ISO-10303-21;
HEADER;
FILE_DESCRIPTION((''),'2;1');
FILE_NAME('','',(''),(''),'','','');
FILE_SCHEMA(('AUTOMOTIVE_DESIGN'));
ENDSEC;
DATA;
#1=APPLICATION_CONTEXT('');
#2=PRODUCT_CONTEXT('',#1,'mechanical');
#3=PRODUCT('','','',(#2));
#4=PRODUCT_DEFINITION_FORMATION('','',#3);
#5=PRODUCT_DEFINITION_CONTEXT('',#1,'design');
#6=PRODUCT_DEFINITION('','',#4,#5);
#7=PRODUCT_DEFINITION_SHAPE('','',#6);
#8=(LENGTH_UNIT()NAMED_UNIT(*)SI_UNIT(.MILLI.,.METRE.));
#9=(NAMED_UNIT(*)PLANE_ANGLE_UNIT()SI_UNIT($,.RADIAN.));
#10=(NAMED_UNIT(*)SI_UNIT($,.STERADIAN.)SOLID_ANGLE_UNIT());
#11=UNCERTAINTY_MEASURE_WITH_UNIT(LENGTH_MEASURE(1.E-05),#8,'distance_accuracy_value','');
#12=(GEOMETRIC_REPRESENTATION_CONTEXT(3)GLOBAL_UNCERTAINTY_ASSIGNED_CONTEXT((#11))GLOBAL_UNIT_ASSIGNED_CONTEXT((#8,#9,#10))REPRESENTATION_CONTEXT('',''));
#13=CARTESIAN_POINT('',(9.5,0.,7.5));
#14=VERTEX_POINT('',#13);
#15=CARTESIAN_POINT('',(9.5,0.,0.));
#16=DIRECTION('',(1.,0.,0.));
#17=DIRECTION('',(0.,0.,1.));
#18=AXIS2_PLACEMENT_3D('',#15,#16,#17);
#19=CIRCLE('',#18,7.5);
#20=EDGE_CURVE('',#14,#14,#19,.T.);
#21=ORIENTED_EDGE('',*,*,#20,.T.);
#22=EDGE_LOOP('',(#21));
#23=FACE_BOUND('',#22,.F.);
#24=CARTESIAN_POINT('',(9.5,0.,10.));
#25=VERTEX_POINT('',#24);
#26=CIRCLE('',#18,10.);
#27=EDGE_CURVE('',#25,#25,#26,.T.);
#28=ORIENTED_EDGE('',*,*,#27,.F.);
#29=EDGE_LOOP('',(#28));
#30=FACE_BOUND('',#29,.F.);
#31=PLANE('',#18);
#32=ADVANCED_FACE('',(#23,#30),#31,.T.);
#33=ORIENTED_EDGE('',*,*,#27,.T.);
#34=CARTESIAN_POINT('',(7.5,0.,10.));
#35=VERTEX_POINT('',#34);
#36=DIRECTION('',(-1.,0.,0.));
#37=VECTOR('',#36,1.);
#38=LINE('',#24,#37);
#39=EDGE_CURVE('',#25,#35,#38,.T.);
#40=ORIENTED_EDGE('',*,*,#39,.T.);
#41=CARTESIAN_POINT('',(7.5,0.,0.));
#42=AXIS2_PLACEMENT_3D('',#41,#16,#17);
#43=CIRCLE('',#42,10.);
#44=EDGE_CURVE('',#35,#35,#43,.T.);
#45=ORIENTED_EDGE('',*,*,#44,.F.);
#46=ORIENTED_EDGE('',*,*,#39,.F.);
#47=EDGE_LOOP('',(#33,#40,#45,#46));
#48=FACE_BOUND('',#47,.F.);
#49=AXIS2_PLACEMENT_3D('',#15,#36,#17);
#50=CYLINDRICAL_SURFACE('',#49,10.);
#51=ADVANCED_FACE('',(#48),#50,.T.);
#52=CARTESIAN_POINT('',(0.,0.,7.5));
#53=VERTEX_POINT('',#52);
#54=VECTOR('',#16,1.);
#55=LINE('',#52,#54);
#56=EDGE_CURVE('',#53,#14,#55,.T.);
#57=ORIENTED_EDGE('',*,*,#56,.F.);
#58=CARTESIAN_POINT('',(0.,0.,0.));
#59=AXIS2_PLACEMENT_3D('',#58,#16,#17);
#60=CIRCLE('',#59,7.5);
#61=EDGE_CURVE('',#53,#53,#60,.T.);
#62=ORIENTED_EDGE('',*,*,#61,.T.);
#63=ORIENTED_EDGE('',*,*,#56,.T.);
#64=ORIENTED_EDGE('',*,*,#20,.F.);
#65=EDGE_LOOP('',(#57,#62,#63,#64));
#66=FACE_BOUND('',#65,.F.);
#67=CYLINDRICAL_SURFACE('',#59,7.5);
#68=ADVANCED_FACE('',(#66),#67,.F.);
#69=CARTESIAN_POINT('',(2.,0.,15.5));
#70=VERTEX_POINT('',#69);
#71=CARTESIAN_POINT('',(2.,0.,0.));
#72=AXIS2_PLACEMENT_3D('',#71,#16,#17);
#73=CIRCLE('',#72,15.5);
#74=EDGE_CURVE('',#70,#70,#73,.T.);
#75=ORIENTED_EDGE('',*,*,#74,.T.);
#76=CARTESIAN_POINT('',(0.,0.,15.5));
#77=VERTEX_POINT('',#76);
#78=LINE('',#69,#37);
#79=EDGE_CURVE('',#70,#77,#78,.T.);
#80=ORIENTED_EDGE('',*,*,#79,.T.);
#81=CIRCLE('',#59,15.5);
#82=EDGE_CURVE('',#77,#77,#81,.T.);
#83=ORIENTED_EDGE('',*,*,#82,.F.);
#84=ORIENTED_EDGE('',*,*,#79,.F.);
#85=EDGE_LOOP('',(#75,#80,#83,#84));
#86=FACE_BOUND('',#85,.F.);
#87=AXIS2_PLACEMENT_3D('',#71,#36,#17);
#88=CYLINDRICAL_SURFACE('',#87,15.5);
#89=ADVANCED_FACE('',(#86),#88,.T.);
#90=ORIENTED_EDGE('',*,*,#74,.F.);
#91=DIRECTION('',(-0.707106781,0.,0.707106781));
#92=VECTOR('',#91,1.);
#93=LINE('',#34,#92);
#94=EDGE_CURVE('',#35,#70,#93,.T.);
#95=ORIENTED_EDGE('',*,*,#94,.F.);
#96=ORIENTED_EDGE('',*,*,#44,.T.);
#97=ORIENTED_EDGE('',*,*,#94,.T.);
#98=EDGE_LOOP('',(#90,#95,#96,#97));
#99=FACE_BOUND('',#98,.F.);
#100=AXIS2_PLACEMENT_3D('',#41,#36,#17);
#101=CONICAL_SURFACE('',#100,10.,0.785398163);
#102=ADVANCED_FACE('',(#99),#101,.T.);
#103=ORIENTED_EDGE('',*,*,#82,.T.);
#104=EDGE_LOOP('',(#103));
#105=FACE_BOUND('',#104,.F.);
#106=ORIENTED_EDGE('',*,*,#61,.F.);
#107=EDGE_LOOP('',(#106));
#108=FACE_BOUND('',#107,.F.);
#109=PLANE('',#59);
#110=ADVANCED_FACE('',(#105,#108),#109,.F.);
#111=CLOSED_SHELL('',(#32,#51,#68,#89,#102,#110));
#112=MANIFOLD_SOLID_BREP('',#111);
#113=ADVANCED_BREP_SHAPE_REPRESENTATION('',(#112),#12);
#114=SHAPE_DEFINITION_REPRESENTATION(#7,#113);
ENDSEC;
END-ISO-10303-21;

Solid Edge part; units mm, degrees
sketch "Sketch1" plane through (0, 0, 0) normal (0, -1, 0) x (1, 0, 0)
  line L0 (0, 7.5) -> (9.5, 7.5)
  line L1 (9.5, 7.5) -> (9.5, 10)
  line L2 (9.5, 10) -> (7.5, 10)
  line L3 (7.5, 10) -> (2, 15.5)
  line L4 (2, 15.5) -> (0, 15.5)
  line L5 (0, 15.5) -> (0, 7.5)
  dimension "D1" = 7.5
  dimension "D2" = 15.5
  dimension "D3" = 9.5
  dimension "D4" = 2
  dimension "D5" = 10
  dimension "D6" = 5.5
revolve "RevolvedProtrusion1" add sketch "Sketch1" angle 360 about axis through (0, 0, 0) along (1, 0, 0)
